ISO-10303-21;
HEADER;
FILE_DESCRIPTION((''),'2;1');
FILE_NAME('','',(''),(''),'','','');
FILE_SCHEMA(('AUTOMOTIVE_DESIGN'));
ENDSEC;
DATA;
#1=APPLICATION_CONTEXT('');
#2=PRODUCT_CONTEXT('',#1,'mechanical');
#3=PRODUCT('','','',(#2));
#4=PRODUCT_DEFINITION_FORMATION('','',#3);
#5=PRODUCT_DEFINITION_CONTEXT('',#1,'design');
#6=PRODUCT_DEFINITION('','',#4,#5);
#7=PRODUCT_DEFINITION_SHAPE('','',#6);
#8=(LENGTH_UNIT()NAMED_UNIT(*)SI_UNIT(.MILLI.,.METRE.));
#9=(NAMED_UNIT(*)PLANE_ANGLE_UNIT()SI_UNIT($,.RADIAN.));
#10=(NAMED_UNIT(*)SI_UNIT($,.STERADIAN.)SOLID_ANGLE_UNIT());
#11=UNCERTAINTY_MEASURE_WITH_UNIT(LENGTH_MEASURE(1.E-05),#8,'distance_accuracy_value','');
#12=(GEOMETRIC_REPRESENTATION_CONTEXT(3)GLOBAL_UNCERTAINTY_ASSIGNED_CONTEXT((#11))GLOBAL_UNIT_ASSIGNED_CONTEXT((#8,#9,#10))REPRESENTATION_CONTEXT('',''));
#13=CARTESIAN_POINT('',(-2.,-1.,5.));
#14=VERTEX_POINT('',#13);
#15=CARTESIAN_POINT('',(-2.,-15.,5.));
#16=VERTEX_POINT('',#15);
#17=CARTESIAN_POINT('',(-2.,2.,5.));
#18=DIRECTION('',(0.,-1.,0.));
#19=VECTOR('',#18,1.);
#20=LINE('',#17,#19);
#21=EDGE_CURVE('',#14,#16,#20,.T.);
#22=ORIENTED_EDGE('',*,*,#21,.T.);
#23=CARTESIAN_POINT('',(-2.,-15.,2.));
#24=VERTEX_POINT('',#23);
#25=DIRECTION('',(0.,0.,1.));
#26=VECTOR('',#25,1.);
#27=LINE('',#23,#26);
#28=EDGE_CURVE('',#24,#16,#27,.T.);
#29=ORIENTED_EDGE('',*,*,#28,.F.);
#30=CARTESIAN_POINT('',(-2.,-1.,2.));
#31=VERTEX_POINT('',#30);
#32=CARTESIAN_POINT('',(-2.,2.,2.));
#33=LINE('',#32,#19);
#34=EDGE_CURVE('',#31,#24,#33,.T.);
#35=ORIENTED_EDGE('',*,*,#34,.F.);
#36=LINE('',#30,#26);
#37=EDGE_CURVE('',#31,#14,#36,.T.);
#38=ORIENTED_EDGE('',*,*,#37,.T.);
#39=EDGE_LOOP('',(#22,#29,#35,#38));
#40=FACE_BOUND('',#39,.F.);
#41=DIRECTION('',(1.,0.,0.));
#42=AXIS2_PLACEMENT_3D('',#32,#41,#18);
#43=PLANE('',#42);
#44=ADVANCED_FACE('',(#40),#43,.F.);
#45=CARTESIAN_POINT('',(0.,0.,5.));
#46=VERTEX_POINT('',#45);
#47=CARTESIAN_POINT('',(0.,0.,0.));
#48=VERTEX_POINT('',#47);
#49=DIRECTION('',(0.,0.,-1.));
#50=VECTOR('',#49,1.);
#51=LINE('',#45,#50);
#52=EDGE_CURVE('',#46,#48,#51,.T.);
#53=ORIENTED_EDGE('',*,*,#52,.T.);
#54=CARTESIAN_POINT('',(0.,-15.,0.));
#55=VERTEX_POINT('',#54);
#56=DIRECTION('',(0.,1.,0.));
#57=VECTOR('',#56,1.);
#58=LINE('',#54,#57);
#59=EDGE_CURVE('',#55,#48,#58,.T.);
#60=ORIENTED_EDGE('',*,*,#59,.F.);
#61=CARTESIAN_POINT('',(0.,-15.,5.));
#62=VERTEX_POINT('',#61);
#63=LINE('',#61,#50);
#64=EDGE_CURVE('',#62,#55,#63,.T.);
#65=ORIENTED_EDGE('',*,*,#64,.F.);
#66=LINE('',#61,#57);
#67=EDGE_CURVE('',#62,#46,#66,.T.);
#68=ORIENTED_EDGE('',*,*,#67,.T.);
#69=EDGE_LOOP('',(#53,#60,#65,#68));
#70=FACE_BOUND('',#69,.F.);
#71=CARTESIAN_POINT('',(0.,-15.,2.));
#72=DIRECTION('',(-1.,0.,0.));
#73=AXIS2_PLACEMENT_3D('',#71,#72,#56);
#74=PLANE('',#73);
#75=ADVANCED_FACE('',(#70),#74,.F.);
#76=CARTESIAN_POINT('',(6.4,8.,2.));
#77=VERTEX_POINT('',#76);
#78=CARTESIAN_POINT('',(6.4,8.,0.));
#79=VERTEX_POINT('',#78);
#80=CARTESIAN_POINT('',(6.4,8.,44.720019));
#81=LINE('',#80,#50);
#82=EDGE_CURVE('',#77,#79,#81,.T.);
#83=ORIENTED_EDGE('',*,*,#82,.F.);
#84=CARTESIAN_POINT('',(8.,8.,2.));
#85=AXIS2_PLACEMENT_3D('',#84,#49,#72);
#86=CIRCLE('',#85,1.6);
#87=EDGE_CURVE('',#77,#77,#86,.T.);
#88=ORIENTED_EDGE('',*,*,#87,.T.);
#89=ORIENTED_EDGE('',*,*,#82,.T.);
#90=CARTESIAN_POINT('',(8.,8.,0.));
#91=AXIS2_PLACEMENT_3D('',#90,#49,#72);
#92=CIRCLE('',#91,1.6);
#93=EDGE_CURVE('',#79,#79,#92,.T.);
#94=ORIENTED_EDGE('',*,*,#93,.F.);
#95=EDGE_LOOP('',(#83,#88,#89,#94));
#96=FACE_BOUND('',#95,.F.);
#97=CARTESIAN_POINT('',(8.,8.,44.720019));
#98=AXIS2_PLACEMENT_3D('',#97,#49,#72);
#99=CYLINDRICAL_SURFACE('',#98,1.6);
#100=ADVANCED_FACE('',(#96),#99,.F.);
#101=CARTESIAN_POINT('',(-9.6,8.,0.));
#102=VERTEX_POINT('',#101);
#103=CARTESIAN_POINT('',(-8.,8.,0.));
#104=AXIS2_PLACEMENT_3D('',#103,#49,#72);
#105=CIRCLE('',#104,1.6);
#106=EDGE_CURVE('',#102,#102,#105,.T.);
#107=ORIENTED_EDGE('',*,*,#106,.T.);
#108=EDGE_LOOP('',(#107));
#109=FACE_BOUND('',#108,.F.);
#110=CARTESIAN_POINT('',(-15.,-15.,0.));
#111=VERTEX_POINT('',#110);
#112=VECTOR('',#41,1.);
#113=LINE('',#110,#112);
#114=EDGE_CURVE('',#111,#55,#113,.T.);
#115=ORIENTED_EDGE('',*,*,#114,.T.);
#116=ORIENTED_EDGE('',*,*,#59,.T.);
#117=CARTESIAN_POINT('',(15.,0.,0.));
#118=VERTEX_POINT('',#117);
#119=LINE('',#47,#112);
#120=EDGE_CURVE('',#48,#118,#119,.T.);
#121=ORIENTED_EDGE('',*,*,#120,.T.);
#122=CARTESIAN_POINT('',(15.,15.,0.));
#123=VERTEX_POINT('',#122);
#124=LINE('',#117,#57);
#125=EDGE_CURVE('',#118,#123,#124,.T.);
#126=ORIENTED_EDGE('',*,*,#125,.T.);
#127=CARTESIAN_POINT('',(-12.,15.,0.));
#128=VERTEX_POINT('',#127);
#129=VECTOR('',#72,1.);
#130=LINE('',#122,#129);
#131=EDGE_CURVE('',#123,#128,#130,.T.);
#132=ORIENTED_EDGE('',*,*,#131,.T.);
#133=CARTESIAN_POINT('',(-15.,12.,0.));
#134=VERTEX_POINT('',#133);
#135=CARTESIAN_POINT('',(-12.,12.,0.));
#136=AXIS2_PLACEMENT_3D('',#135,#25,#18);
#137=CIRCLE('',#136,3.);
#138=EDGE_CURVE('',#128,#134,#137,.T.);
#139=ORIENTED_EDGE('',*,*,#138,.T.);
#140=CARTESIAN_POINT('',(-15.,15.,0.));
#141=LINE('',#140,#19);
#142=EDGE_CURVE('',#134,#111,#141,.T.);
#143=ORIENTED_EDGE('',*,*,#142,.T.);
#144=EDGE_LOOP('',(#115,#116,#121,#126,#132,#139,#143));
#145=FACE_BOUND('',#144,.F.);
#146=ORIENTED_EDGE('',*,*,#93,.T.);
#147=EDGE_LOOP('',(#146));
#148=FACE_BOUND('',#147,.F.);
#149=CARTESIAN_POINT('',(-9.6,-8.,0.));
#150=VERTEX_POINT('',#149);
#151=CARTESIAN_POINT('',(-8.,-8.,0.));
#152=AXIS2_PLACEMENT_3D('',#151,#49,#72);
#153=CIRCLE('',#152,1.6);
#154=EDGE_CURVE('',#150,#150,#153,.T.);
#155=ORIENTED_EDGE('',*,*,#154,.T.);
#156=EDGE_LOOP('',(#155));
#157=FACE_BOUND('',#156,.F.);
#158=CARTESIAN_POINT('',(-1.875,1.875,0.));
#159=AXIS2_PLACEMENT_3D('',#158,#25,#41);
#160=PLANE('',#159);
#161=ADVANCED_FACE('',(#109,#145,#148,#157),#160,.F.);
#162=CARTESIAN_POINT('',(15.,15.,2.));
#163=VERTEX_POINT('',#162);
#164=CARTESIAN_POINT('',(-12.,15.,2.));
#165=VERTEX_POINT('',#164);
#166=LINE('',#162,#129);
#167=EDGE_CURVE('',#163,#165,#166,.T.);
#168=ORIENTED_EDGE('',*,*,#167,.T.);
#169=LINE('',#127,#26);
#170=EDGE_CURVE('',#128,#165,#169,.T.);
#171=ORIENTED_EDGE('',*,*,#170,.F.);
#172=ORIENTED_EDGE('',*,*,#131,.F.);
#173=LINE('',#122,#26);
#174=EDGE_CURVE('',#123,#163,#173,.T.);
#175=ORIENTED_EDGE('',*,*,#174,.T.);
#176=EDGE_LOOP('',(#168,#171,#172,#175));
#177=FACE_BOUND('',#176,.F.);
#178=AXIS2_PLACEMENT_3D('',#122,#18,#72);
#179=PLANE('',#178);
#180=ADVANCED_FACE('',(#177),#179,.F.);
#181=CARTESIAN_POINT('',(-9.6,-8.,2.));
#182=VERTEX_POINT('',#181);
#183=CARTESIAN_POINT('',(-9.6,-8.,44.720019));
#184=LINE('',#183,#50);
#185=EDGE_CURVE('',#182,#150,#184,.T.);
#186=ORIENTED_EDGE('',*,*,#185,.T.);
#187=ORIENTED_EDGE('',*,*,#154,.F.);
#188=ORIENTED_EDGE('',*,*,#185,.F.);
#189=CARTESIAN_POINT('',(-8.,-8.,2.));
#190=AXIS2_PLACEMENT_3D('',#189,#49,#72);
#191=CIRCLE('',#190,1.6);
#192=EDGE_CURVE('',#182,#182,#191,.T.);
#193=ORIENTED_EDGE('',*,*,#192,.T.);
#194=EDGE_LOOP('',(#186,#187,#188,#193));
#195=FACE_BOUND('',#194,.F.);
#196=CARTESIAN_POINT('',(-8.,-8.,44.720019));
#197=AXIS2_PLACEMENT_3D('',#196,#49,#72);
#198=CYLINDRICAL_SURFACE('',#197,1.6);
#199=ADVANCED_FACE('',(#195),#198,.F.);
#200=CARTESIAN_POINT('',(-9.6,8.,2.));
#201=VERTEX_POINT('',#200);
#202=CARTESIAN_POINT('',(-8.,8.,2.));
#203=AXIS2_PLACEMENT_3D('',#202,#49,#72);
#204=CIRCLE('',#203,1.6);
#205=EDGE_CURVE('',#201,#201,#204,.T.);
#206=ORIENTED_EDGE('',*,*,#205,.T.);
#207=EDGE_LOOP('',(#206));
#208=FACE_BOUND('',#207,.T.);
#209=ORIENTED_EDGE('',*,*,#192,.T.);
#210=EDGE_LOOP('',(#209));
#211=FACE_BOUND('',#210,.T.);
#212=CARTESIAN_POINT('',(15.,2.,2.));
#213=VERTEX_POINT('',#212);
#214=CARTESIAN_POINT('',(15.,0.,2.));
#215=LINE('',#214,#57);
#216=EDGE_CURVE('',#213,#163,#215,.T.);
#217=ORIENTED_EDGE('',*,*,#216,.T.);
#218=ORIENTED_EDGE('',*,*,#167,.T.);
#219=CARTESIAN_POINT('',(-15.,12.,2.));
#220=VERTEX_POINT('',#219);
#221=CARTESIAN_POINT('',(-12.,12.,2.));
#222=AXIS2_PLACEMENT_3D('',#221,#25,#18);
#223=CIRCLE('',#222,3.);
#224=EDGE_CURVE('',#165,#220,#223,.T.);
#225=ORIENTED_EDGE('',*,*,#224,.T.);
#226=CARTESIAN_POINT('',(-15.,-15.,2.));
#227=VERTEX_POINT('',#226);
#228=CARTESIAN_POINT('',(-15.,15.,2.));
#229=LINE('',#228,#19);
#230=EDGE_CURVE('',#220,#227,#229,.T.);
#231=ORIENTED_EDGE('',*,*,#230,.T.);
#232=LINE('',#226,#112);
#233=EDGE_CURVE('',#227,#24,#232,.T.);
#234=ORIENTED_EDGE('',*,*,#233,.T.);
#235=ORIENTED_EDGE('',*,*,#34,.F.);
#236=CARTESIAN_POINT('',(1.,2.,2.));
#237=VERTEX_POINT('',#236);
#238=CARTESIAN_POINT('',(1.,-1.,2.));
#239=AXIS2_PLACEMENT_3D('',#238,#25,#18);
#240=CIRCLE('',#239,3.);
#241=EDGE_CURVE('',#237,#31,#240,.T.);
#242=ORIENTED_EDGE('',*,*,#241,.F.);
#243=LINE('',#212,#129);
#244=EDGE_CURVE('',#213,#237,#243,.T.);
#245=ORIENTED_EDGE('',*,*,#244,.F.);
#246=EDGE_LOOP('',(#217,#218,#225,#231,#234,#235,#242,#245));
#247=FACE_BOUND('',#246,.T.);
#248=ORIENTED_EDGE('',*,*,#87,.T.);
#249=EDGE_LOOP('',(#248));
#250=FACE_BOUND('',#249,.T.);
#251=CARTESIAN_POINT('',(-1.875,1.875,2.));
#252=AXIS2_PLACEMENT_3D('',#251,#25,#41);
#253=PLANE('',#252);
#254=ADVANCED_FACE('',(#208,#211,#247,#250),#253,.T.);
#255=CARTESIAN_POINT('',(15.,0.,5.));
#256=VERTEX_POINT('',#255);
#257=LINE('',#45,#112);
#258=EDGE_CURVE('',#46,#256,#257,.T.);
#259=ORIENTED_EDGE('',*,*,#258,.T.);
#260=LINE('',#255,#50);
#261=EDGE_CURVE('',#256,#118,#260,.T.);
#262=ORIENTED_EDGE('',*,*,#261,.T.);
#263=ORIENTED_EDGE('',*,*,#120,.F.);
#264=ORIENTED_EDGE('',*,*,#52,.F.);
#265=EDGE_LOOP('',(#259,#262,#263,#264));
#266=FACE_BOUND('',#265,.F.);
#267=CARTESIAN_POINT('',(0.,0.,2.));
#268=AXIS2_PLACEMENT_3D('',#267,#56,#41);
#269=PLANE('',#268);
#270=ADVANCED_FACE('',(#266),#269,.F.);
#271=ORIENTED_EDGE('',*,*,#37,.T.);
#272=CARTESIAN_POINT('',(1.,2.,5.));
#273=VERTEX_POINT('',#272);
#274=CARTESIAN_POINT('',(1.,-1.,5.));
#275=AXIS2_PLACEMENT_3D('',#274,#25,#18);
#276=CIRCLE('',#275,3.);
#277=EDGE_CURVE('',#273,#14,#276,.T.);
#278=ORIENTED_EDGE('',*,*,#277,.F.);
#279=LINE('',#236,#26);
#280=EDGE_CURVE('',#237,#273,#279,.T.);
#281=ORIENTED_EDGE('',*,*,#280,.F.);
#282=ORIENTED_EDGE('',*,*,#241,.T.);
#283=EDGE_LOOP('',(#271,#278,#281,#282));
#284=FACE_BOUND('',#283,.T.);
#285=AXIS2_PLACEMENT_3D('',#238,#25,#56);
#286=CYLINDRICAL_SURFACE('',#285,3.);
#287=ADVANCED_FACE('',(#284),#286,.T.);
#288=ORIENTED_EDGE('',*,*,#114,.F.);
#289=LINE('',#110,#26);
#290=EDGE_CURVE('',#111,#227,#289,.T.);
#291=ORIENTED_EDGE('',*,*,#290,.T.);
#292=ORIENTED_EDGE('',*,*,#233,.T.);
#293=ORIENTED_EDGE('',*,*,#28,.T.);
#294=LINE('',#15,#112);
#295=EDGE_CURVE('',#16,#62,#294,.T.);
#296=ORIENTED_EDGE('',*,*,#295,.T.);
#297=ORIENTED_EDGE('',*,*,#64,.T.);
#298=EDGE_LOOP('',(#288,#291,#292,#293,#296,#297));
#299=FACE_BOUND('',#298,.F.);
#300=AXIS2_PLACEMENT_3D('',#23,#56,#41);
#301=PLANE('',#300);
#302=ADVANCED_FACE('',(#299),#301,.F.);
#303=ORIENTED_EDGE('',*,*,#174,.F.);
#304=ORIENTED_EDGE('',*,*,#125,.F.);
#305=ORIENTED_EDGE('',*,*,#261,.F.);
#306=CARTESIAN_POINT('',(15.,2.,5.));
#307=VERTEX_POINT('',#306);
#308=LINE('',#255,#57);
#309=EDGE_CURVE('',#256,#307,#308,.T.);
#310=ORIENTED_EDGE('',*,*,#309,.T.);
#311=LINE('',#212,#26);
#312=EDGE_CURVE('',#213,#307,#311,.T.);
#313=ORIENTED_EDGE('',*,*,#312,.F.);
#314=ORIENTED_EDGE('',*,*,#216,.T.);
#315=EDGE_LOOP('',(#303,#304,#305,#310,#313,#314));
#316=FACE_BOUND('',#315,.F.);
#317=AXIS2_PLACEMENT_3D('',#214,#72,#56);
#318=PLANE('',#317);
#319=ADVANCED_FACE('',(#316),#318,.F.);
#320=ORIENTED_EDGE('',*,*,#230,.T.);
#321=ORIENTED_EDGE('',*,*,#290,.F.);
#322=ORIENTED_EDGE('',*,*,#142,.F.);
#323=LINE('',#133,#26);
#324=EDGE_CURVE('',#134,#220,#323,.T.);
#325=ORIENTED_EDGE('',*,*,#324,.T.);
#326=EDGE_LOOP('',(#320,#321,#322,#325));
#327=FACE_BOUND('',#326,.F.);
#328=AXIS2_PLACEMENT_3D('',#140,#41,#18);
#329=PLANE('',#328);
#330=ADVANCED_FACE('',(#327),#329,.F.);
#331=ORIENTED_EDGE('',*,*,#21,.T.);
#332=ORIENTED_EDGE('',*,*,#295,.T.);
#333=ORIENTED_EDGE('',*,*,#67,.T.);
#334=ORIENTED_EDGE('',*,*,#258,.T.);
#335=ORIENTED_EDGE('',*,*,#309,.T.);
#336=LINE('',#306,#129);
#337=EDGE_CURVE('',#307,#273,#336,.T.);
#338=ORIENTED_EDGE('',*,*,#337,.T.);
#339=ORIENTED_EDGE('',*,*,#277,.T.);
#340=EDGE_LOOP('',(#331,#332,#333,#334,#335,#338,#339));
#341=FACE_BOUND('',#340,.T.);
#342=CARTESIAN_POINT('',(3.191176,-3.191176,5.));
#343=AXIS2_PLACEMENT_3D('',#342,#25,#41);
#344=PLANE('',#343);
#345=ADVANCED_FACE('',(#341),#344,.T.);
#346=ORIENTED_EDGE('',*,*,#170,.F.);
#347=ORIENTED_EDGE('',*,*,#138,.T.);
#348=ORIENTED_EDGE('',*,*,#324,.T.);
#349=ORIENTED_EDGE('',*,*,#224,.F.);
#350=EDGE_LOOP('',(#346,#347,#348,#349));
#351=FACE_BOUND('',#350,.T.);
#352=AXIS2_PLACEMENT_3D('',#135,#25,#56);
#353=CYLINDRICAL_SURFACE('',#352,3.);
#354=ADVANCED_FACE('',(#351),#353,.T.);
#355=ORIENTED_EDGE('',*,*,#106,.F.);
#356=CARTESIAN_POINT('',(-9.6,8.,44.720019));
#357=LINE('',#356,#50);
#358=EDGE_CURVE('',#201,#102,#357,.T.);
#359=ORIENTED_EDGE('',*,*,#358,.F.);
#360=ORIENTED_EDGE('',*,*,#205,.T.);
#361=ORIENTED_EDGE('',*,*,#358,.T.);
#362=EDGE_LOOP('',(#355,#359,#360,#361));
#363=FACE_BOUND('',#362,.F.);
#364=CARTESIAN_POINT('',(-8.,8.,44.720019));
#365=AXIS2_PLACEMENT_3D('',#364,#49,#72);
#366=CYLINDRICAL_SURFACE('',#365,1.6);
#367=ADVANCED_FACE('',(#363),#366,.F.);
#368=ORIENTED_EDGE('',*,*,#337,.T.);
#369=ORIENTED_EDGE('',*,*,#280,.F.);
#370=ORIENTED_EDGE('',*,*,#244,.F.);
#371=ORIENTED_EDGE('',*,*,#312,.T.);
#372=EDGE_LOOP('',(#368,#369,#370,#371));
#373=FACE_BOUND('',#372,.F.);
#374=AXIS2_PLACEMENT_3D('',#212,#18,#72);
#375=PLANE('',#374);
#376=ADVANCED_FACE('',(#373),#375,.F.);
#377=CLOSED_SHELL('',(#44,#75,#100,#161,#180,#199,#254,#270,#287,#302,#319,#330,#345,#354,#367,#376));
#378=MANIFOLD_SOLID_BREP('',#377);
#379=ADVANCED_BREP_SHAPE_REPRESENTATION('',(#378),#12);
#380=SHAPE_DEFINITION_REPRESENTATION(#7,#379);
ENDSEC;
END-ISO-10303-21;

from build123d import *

# Parameters (mm, degrees)
F1_DEPTH = 2
F3_DEPTH = 3
F5_D     = 3.2
F6_R     = 3


with BuildPart() as f1:
    # F0 (on Top) → F1 (new body)
    with BuildSketch(Plane.XY):
        Polygon((-15, -15), (0, -15), (0, 0), (15, 0), (15, 15), (-15, 15), align=None)
    extrude(amount=F1_DEPTH)

    # F2 (on face) → F3 (join)
    with BuildSketch(Plane.XY.offset(2)):
        Polygon((15, 0), (15, 2), (-2, 2), (-2, -15), (0, -15), (0, 0), align=None)
    extrude(amount=F3_DEPTH)

    # F5 (through all)
    with Locations(Plane.XY.offset(2)):
        with Locations((-8, 8), (8, 8), (-8, -8)):
            Hole(F5_D / 2)

    # F6
    f6_edges = [f1.edges().sort_by_distance(p)[0] for p in [
        (-15, 15, 1),
        (-2, 2, 3.5),
    ]]
    fillet(f6_edges, radius=F6_R)


solid = f1.part
